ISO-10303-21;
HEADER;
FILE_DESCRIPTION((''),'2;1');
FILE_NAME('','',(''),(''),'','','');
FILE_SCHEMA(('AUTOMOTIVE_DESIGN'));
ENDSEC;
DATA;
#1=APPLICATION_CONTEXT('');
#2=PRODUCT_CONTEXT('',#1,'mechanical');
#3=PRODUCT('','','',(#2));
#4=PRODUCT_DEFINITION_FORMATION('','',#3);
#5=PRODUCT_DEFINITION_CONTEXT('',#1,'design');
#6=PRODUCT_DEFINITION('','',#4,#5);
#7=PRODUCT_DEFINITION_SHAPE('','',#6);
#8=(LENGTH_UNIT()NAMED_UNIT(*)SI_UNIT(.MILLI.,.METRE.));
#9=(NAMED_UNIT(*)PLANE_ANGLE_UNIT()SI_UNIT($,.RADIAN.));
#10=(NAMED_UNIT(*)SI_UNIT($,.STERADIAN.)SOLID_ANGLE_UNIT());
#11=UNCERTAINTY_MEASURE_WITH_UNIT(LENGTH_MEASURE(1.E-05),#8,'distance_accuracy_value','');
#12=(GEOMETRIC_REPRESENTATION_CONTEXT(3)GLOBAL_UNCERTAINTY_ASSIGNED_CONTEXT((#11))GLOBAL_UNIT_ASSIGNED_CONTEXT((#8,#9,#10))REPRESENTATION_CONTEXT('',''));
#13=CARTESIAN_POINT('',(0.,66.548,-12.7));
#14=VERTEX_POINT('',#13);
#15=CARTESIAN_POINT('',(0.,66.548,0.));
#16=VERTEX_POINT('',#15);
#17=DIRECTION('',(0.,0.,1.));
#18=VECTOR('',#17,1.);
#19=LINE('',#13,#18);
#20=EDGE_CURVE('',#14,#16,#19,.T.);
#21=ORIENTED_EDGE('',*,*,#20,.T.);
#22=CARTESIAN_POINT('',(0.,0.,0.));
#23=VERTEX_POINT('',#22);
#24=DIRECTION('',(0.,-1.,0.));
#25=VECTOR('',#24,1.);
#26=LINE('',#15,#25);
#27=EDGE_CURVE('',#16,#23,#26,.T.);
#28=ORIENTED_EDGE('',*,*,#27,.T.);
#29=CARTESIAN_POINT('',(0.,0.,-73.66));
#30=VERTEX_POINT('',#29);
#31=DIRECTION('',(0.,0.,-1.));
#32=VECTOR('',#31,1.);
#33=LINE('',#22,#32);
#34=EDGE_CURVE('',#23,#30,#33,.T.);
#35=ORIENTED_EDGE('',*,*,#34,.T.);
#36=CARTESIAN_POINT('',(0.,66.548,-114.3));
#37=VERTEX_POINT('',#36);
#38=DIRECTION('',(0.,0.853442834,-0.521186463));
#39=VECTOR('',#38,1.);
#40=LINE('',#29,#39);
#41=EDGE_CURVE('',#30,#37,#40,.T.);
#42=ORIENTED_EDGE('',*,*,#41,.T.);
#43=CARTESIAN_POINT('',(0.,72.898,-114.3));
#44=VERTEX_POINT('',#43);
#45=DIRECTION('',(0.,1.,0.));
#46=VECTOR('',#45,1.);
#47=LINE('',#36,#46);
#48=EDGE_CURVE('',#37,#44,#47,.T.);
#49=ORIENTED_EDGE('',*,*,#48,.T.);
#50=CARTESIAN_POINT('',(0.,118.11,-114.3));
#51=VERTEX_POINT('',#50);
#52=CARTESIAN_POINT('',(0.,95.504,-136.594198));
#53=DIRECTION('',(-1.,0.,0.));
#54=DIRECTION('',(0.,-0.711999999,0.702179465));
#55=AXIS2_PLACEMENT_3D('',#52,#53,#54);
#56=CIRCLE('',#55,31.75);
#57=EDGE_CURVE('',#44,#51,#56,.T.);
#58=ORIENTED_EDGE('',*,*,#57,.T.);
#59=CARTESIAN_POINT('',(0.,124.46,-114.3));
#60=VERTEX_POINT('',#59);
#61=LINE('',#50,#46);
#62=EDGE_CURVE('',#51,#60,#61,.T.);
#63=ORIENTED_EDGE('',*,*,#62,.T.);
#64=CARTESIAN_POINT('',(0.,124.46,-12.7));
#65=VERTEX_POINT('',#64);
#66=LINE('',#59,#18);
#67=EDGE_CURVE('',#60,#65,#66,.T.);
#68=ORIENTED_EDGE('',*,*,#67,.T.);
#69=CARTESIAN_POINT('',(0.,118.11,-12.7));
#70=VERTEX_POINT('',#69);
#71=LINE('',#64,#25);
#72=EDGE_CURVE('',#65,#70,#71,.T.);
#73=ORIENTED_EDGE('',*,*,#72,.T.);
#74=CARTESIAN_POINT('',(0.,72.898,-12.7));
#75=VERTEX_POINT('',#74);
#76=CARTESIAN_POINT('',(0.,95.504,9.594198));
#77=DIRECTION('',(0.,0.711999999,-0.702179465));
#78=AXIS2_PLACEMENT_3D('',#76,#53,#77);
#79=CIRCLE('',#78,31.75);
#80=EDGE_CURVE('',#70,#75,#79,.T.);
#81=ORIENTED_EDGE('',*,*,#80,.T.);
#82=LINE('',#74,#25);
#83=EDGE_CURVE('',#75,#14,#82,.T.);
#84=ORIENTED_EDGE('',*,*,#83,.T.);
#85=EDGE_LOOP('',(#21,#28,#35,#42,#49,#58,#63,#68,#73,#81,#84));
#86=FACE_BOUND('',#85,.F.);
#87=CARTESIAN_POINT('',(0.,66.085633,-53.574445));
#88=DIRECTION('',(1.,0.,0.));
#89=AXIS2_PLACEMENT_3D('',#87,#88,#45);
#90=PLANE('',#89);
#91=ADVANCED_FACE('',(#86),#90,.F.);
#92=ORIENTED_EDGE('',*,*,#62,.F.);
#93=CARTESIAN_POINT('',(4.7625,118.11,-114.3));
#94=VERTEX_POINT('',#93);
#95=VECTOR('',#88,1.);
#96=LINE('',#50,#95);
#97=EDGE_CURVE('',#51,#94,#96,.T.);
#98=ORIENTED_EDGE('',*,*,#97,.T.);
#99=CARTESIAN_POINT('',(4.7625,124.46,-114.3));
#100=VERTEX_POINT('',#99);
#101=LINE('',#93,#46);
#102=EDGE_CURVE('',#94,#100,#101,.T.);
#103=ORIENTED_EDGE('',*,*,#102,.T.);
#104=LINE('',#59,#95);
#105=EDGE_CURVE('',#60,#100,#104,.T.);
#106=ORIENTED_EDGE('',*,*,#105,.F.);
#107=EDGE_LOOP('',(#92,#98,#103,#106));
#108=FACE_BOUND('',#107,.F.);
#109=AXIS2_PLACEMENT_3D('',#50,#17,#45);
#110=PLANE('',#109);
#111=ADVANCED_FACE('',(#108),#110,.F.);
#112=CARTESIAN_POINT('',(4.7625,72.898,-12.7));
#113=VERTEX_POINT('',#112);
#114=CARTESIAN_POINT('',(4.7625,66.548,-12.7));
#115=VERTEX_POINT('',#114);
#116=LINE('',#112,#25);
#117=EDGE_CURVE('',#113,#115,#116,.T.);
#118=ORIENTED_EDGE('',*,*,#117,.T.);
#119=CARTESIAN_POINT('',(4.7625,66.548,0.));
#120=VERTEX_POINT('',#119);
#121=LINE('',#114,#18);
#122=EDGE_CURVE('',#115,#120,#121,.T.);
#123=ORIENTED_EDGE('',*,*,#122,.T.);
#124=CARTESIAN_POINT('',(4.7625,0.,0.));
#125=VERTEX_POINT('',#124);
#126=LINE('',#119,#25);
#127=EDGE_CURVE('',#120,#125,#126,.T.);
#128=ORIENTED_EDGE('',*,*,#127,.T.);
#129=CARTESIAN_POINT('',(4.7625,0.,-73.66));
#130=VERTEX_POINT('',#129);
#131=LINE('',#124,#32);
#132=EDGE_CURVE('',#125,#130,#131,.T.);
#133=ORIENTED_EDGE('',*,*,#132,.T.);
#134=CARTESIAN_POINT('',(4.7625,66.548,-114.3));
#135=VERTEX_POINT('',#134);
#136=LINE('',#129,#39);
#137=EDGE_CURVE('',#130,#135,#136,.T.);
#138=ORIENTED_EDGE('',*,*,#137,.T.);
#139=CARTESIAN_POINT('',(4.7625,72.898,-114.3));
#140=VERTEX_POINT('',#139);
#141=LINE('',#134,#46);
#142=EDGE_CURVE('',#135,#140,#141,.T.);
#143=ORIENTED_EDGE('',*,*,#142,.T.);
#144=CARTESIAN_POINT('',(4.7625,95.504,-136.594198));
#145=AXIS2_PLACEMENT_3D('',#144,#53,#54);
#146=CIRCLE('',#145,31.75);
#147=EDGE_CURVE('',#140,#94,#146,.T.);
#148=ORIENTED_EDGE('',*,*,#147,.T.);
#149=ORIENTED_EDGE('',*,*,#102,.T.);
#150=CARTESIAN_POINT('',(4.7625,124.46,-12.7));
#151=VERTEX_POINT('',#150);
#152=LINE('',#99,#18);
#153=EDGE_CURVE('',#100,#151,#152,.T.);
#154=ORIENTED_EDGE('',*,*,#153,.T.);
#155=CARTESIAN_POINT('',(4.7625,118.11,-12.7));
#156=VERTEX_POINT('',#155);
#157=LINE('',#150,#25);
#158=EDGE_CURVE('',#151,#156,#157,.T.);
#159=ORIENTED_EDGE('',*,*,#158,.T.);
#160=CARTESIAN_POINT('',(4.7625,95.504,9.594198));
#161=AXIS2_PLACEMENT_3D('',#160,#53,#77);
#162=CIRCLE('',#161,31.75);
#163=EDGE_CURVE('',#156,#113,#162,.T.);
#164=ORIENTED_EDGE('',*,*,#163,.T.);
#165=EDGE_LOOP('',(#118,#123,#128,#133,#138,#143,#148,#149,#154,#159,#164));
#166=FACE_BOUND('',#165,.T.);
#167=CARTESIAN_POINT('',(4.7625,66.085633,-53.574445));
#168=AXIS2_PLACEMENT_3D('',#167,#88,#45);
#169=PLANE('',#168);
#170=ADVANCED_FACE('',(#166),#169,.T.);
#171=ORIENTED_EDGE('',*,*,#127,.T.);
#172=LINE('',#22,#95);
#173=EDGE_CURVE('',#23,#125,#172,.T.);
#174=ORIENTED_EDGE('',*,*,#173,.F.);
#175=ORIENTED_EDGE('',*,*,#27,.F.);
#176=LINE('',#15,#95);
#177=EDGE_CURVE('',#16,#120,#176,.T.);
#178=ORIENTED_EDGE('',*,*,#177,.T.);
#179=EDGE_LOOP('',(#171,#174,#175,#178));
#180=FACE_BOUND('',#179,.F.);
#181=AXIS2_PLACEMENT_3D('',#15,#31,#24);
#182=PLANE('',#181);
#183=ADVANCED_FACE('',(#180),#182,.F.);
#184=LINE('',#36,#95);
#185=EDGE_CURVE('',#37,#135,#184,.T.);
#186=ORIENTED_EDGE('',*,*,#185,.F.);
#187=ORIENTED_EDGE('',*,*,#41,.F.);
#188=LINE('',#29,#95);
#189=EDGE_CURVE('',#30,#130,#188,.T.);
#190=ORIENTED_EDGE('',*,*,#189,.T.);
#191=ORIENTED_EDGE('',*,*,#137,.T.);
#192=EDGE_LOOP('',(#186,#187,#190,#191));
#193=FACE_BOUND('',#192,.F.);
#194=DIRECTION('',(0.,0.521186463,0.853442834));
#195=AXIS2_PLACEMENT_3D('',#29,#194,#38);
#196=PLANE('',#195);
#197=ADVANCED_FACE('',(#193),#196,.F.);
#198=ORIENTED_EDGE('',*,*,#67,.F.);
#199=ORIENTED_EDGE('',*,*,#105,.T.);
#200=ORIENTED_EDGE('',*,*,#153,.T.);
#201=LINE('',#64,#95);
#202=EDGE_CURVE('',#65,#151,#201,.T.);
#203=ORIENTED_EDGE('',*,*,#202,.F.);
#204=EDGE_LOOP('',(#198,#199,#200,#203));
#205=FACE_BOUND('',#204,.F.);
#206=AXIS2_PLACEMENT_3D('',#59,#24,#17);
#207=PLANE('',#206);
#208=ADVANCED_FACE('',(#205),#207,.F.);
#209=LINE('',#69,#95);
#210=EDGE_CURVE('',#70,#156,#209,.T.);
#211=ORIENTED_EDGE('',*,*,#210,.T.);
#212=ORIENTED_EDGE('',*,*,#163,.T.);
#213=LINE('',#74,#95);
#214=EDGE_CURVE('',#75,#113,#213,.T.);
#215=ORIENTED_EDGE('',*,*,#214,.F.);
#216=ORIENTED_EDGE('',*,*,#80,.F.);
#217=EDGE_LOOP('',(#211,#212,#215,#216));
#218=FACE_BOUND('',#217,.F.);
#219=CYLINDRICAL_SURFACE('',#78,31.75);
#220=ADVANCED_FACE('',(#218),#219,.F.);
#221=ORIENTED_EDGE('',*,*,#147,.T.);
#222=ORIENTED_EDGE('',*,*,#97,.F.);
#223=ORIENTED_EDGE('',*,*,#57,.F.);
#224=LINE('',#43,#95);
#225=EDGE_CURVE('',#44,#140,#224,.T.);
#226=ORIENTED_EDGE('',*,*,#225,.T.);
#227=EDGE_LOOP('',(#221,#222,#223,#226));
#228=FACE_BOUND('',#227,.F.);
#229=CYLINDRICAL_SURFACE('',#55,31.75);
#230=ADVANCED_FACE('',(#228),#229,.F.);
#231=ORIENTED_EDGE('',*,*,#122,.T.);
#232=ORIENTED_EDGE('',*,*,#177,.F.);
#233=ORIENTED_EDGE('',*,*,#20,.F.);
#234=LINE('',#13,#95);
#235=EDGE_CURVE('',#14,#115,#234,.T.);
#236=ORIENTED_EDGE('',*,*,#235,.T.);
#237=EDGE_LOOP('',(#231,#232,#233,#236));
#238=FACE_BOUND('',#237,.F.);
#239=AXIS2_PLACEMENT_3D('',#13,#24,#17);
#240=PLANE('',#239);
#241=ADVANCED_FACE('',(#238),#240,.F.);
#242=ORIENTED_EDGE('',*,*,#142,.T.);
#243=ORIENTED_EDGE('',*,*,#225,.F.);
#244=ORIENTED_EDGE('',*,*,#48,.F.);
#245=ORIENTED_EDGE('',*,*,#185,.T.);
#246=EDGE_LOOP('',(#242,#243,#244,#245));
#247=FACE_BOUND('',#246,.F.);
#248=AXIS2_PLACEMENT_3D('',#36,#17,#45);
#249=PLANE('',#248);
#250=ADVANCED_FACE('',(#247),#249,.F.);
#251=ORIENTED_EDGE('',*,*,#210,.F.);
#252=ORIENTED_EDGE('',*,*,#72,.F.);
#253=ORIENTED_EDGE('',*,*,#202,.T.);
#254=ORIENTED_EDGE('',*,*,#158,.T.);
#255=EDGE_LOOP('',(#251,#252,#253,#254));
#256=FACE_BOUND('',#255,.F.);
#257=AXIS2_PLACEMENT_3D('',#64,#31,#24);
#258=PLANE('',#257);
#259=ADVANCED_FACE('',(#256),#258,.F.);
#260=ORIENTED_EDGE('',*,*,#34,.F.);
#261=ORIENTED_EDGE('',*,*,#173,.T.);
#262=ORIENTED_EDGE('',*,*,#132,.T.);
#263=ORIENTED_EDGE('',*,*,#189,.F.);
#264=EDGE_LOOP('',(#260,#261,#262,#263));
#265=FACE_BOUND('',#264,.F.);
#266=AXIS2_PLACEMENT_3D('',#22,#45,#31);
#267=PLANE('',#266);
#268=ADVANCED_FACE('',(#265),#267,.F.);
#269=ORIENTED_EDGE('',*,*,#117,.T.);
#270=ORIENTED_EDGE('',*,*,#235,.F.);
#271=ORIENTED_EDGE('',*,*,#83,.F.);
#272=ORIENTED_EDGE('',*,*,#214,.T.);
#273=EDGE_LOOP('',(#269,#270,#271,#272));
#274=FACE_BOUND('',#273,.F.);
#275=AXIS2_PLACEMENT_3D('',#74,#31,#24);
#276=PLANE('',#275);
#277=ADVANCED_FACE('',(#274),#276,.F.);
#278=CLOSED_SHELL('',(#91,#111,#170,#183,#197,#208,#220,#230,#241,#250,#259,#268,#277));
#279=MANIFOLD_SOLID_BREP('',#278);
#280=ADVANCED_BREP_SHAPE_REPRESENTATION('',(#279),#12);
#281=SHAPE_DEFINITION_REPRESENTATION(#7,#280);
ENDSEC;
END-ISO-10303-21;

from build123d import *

# Parameters (mm, degrees)
F1_DEPTH = 4.7625


with BuildPart() as f1:
    # F0 (on Right) → F1 (new body)
    with BuildSketch(Plane.YZ):
        with BuildLine():
            Line((118.11, -114.3), (124.46, -114.3))
            Line((124.46, -114.3), (124.46, -12.7))
            Line((124.46, -12.7), (118.11, -12.7))
            ThreePointArc((118.11, -12.7), (95.504, -22.155802), (72.898, -12.7))
            Line((72.898, -12.7), (66.548, -12.7))
            Line((66.548, -12.7), (66.548, 0))
            Line((66.548, 0), (0, 0))
            Line((0, 0), (0, -73.66))
            Line((0, -73.66), (66.548, -114.3))
            Line((66.548, -114.3), (72.898, -114.3))
            ThreePointArc((72.898, -114.3), (95.504, -104.844198), (118.11, -114.3))
        make_face()
    extrude(amount=F1_DEPTH)


solid = f1.part
